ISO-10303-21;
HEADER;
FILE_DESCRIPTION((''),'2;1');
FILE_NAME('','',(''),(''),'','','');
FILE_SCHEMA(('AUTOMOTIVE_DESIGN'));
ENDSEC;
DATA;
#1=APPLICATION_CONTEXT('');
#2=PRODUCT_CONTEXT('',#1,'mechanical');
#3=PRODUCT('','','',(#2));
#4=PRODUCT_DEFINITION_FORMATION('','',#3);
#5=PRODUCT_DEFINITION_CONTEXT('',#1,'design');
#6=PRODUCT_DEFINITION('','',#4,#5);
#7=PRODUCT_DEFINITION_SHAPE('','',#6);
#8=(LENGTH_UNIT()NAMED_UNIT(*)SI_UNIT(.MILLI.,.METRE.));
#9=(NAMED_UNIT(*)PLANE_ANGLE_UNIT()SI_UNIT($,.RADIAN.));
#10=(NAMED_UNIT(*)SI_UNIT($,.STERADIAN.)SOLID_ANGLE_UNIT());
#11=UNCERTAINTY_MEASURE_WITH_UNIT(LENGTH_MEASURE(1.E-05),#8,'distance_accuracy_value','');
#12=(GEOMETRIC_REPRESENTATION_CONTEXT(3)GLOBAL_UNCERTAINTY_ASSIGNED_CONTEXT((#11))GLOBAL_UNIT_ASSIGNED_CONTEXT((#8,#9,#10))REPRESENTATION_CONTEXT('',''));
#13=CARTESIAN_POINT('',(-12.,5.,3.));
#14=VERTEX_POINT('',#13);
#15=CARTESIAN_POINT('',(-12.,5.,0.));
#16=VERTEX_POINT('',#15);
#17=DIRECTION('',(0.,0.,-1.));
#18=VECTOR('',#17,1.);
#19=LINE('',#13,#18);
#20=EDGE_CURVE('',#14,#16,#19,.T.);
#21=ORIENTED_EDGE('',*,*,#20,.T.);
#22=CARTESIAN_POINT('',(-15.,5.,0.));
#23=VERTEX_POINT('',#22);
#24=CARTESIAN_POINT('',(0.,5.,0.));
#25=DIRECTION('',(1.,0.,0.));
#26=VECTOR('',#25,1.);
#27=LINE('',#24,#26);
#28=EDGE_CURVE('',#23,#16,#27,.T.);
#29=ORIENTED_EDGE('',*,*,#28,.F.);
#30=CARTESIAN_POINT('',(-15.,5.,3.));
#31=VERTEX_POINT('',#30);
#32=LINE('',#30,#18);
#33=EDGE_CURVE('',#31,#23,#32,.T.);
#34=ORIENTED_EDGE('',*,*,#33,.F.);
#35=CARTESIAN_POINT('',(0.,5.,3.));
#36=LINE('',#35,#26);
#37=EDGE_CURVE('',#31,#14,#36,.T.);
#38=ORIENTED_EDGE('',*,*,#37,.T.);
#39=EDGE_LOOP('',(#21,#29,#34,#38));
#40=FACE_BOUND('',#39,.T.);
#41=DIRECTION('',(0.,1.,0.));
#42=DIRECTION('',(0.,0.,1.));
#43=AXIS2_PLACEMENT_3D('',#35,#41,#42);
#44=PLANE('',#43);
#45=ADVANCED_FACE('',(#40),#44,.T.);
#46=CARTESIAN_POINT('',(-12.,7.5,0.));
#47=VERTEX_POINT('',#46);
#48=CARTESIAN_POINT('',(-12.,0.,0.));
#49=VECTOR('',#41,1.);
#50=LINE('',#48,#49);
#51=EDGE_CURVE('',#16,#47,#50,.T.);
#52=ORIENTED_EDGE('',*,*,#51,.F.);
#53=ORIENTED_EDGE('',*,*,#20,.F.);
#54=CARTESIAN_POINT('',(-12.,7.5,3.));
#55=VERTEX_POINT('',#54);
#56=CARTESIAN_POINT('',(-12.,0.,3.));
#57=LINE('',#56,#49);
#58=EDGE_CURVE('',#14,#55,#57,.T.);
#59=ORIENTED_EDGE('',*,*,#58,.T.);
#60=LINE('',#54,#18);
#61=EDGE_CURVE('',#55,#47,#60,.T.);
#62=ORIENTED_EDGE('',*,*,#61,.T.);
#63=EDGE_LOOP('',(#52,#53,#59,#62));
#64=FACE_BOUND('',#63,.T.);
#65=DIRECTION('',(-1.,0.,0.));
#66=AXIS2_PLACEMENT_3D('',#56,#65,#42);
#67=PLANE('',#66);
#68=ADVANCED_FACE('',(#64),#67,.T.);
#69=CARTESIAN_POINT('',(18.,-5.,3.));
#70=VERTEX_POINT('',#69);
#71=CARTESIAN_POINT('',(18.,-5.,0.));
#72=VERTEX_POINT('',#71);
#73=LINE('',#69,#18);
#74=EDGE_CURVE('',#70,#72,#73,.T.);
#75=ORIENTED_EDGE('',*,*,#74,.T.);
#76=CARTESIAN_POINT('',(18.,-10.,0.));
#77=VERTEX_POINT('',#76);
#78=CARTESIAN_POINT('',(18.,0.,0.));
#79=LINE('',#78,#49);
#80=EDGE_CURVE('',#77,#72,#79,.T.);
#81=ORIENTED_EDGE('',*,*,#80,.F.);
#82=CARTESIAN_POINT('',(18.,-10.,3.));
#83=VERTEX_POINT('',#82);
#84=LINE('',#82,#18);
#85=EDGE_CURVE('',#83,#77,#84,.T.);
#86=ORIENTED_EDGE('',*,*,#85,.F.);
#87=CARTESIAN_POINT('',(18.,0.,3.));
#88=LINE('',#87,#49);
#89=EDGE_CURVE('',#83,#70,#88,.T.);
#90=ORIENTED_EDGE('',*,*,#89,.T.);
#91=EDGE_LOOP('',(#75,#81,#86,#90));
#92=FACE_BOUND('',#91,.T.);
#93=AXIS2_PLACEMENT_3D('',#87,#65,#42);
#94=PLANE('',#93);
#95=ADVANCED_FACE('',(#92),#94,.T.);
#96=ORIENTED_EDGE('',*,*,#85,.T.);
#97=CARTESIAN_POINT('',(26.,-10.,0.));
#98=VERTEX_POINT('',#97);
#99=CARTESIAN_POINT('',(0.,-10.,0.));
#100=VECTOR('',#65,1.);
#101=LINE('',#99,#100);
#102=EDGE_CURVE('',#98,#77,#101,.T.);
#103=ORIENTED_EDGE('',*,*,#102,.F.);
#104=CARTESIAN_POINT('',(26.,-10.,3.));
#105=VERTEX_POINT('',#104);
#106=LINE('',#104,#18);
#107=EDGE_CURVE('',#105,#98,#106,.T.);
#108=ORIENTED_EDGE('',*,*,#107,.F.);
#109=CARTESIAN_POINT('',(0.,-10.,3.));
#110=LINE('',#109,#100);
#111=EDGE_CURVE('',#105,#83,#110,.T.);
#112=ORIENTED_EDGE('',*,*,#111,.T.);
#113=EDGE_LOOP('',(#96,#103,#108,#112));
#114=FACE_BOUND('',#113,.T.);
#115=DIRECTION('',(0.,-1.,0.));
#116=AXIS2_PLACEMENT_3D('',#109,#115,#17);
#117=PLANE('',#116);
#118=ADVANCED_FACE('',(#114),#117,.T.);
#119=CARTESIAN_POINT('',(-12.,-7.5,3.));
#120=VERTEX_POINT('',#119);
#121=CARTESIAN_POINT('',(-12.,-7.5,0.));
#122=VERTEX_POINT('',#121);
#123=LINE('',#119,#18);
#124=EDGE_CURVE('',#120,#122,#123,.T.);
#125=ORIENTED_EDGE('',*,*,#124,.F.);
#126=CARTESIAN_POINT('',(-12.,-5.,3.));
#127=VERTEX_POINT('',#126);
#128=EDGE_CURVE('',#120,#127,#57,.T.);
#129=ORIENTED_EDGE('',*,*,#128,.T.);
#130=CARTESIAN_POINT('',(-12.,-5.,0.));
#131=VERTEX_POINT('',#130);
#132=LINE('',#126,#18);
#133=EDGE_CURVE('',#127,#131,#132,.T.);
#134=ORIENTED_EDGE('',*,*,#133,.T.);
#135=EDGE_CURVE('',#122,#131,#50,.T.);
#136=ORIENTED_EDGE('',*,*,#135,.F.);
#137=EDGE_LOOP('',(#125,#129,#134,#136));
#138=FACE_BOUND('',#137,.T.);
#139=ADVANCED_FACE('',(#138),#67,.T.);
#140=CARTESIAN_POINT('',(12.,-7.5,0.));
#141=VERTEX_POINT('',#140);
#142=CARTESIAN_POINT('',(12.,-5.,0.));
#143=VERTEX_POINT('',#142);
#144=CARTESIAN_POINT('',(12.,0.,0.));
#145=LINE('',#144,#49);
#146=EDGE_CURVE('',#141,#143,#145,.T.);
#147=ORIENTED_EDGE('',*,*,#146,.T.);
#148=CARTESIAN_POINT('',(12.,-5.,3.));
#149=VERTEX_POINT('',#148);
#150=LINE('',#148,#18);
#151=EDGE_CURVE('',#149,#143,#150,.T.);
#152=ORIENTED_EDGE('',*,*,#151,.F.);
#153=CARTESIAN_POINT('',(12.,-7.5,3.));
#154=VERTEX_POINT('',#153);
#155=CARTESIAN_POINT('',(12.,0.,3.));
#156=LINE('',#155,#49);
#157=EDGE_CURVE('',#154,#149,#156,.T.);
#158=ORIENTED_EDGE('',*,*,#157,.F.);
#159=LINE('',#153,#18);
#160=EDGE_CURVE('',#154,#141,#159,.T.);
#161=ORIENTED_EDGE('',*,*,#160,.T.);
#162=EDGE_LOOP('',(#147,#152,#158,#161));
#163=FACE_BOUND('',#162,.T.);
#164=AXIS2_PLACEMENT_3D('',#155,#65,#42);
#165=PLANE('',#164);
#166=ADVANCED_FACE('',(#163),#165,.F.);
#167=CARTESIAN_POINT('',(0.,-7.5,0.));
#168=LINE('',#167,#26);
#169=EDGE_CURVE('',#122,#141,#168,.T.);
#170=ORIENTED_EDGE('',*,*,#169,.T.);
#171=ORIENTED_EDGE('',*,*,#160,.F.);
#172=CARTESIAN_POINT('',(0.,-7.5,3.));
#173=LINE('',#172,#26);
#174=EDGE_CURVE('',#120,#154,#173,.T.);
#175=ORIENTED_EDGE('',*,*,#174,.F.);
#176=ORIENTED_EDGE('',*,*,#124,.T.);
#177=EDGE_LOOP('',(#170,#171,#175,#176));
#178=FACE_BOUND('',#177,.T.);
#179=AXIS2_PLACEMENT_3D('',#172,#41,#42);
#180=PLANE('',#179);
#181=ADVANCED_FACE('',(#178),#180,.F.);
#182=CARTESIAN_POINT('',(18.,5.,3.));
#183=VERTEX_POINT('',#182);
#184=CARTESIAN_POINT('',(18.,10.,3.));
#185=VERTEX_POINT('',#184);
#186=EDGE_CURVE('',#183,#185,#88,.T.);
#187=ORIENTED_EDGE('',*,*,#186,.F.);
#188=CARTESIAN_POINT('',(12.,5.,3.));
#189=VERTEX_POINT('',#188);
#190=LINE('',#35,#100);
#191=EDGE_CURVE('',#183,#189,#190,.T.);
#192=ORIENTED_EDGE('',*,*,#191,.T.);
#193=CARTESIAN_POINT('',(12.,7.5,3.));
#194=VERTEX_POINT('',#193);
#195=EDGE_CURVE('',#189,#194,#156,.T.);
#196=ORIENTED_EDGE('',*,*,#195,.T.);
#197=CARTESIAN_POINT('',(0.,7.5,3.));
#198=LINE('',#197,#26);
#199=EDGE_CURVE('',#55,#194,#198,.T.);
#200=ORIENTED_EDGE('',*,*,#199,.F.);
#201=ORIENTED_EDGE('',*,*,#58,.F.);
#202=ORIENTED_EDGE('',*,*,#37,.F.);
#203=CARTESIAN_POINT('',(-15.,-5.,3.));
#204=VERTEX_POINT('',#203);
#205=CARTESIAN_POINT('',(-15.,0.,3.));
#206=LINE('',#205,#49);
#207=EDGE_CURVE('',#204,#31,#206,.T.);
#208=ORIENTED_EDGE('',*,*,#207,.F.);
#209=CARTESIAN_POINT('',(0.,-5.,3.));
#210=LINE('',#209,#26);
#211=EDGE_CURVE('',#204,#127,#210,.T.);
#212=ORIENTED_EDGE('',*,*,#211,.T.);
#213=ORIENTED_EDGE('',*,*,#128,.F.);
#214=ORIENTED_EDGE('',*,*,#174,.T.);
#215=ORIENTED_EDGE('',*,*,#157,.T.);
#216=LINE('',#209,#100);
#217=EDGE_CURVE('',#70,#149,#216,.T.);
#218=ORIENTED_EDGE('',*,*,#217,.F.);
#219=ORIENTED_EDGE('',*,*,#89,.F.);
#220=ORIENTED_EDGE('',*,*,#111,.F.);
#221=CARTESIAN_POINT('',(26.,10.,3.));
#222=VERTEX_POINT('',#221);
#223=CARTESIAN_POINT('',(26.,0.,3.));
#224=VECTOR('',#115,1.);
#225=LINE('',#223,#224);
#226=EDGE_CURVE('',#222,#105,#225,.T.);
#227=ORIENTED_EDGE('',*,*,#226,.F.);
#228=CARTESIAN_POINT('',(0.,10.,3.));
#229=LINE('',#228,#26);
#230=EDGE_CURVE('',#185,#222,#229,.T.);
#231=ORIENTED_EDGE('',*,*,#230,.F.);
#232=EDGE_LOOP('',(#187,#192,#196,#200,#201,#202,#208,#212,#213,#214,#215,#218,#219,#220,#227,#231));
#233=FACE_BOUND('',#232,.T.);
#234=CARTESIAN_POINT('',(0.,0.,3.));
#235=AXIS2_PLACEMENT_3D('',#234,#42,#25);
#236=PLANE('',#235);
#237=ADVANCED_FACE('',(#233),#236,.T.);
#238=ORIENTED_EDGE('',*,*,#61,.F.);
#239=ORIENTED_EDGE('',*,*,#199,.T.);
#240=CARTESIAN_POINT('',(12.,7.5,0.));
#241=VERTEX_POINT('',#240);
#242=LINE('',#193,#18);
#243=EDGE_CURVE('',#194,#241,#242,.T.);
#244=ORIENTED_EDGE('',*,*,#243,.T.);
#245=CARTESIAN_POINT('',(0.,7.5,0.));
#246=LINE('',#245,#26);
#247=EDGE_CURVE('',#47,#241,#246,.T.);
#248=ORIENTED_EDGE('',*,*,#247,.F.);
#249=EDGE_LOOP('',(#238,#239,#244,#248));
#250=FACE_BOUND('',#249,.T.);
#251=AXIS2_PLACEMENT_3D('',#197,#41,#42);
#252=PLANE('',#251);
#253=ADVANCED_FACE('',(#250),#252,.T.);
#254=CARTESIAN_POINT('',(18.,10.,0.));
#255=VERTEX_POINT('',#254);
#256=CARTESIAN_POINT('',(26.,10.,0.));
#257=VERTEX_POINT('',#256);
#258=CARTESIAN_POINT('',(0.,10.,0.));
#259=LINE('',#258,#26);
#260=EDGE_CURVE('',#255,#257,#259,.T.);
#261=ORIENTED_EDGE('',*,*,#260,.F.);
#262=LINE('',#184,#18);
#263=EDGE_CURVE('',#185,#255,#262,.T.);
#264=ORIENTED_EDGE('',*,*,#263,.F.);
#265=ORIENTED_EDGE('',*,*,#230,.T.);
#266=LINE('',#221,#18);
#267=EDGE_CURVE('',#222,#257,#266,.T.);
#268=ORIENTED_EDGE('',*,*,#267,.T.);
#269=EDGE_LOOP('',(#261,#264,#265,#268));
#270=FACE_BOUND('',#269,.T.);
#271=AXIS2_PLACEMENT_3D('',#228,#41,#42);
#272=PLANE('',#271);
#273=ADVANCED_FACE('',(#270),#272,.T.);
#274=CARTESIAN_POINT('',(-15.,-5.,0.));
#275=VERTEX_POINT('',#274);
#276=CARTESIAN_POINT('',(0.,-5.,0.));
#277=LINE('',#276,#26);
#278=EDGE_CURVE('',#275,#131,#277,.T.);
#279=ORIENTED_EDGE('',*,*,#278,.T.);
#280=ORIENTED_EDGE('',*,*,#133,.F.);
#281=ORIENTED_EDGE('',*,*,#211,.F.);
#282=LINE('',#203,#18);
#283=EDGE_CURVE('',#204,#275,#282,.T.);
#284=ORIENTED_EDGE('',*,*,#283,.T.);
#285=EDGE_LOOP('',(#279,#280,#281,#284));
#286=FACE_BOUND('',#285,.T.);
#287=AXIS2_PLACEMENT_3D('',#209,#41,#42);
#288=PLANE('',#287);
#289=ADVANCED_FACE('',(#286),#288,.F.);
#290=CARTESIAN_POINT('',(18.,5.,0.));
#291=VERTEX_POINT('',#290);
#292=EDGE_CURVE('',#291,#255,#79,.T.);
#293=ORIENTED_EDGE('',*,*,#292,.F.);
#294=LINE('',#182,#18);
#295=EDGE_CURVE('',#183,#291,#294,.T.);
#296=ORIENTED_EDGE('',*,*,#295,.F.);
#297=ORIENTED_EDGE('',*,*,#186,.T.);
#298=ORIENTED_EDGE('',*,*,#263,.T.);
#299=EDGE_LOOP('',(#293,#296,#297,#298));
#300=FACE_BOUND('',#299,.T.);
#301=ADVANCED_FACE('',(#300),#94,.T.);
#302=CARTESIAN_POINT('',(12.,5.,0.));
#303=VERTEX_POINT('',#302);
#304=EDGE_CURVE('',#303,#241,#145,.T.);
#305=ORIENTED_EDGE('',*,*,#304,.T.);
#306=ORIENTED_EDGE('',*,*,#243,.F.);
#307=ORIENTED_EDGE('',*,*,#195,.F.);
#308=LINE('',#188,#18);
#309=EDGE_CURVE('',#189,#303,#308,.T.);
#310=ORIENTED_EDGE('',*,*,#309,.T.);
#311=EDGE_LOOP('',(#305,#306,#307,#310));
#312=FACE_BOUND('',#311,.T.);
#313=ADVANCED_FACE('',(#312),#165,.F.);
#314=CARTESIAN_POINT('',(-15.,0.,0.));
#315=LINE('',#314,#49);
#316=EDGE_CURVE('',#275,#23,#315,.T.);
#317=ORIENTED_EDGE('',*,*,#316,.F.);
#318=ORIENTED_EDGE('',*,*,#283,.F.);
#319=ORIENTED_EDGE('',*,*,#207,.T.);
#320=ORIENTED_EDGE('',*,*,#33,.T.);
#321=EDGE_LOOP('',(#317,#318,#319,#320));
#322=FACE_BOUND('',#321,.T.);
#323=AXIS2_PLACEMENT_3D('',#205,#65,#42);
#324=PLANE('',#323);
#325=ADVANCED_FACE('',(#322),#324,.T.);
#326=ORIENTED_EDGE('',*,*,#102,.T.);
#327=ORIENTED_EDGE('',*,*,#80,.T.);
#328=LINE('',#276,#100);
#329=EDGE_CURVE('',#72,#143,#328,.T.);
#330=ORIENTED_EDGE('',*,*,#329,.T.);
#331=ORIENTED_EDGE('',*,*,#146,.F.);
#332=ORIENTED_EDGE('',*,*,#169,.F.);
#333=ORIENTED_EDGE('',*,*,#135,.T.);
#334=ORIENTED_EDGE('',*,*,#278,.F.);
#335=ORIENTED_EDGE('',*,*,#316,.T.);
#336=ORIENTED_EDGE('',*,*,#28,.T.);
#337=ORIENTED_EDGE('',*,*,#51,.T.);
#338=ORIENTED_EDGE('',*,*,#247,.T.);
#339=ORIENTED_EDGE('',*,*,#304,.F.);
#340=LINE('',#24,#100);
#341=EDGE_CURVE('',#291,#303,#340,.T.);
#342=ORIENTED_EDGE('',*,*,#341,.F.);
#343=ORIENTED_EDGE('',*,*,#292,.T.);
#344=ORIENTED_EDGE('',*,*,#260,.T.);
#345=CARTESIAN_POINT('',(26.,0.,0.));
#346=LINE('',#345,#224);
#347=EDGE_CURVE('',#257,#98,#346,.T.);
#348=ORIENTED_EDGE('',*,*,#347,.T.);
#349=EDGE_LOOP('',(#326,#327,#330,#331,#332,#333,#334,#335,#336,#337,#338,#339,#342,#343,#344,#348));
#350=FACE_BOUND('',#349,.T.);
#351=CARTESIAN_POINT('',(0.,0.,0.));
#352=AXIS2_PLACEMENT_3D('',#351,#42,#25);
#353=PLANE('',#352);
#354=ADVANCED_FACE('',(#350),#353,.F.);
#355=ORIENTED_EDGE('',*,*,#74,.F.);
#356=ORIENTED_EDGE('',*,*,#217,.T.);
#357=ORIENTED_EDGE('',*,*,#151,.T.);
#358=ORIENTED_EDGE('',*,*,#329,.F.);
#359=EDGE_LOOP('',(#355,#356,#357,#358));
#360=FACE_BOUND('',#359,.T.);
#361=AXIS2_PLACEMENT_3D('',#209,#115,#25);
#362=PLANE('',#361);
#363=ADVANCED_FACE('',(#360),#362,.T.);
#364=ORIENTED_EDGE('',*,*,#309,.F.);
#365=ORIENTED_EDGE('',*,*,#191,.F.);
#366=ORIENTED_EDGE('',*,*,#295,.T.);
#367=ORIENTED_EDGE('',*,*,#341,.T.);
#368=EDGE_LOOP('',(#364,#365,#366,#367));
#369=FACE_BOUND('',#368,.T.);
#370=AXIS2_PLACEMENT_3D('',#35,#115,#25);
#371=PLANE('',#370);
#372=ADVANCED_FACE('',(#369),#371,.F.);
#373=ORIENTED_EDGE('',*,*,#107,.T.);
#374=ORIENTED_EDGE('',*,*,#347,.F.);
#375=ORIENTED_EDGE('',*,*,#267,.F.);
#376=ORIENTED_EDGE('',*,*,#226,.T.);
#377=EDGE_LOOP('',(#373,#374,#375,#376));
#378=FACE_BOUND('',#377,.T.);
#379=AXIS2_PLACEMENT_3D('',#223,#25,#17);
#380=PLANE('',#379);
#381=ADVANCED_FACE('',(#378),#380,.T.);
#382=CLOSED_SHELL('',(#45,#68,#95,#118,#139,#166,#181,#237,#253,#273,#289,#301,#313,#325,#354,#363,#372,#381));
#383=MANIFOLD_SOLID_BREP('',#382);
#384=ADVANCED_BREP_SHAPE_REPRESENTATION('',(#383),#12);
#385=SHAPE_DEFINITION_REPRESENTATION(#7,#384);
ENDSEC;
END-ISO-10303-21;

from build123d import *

# Parameters (mm, degrees)
ESBO_O1_W                = 3
ESBO_O1_H                = 10
ESBO_O1_W_2              = 6
RESSALTO_EXTRUS_O1_DEPTH = 3


with BuildPart() as part:
    # Esboço1 → Ressalto-extrusão1 (new body)
    with BuildSketch(Plane.XY):
        Polygon((-12, -5), (-12, -7.5), (12, -7.5), (12, -5), (12, 5), (12, 7.5), (-12, 7.5), (-12, 5), align=None)
        with Locations((-13.5, 0)):
            Rectangle(ESBO_O1_W, ESBO_O1_H)
        with Locations((15, 0)):
            Rectangle(ESBO_O1_W_2, ESBO_O1_H)
        Polygon((18, 5), (18, -5), (18, -10), (26, -10), (26, 10), (18, 10), align=None)
    extrude(amount=RESSALTO_EXTRUS_O1_DEPTH)


solid = part.part
